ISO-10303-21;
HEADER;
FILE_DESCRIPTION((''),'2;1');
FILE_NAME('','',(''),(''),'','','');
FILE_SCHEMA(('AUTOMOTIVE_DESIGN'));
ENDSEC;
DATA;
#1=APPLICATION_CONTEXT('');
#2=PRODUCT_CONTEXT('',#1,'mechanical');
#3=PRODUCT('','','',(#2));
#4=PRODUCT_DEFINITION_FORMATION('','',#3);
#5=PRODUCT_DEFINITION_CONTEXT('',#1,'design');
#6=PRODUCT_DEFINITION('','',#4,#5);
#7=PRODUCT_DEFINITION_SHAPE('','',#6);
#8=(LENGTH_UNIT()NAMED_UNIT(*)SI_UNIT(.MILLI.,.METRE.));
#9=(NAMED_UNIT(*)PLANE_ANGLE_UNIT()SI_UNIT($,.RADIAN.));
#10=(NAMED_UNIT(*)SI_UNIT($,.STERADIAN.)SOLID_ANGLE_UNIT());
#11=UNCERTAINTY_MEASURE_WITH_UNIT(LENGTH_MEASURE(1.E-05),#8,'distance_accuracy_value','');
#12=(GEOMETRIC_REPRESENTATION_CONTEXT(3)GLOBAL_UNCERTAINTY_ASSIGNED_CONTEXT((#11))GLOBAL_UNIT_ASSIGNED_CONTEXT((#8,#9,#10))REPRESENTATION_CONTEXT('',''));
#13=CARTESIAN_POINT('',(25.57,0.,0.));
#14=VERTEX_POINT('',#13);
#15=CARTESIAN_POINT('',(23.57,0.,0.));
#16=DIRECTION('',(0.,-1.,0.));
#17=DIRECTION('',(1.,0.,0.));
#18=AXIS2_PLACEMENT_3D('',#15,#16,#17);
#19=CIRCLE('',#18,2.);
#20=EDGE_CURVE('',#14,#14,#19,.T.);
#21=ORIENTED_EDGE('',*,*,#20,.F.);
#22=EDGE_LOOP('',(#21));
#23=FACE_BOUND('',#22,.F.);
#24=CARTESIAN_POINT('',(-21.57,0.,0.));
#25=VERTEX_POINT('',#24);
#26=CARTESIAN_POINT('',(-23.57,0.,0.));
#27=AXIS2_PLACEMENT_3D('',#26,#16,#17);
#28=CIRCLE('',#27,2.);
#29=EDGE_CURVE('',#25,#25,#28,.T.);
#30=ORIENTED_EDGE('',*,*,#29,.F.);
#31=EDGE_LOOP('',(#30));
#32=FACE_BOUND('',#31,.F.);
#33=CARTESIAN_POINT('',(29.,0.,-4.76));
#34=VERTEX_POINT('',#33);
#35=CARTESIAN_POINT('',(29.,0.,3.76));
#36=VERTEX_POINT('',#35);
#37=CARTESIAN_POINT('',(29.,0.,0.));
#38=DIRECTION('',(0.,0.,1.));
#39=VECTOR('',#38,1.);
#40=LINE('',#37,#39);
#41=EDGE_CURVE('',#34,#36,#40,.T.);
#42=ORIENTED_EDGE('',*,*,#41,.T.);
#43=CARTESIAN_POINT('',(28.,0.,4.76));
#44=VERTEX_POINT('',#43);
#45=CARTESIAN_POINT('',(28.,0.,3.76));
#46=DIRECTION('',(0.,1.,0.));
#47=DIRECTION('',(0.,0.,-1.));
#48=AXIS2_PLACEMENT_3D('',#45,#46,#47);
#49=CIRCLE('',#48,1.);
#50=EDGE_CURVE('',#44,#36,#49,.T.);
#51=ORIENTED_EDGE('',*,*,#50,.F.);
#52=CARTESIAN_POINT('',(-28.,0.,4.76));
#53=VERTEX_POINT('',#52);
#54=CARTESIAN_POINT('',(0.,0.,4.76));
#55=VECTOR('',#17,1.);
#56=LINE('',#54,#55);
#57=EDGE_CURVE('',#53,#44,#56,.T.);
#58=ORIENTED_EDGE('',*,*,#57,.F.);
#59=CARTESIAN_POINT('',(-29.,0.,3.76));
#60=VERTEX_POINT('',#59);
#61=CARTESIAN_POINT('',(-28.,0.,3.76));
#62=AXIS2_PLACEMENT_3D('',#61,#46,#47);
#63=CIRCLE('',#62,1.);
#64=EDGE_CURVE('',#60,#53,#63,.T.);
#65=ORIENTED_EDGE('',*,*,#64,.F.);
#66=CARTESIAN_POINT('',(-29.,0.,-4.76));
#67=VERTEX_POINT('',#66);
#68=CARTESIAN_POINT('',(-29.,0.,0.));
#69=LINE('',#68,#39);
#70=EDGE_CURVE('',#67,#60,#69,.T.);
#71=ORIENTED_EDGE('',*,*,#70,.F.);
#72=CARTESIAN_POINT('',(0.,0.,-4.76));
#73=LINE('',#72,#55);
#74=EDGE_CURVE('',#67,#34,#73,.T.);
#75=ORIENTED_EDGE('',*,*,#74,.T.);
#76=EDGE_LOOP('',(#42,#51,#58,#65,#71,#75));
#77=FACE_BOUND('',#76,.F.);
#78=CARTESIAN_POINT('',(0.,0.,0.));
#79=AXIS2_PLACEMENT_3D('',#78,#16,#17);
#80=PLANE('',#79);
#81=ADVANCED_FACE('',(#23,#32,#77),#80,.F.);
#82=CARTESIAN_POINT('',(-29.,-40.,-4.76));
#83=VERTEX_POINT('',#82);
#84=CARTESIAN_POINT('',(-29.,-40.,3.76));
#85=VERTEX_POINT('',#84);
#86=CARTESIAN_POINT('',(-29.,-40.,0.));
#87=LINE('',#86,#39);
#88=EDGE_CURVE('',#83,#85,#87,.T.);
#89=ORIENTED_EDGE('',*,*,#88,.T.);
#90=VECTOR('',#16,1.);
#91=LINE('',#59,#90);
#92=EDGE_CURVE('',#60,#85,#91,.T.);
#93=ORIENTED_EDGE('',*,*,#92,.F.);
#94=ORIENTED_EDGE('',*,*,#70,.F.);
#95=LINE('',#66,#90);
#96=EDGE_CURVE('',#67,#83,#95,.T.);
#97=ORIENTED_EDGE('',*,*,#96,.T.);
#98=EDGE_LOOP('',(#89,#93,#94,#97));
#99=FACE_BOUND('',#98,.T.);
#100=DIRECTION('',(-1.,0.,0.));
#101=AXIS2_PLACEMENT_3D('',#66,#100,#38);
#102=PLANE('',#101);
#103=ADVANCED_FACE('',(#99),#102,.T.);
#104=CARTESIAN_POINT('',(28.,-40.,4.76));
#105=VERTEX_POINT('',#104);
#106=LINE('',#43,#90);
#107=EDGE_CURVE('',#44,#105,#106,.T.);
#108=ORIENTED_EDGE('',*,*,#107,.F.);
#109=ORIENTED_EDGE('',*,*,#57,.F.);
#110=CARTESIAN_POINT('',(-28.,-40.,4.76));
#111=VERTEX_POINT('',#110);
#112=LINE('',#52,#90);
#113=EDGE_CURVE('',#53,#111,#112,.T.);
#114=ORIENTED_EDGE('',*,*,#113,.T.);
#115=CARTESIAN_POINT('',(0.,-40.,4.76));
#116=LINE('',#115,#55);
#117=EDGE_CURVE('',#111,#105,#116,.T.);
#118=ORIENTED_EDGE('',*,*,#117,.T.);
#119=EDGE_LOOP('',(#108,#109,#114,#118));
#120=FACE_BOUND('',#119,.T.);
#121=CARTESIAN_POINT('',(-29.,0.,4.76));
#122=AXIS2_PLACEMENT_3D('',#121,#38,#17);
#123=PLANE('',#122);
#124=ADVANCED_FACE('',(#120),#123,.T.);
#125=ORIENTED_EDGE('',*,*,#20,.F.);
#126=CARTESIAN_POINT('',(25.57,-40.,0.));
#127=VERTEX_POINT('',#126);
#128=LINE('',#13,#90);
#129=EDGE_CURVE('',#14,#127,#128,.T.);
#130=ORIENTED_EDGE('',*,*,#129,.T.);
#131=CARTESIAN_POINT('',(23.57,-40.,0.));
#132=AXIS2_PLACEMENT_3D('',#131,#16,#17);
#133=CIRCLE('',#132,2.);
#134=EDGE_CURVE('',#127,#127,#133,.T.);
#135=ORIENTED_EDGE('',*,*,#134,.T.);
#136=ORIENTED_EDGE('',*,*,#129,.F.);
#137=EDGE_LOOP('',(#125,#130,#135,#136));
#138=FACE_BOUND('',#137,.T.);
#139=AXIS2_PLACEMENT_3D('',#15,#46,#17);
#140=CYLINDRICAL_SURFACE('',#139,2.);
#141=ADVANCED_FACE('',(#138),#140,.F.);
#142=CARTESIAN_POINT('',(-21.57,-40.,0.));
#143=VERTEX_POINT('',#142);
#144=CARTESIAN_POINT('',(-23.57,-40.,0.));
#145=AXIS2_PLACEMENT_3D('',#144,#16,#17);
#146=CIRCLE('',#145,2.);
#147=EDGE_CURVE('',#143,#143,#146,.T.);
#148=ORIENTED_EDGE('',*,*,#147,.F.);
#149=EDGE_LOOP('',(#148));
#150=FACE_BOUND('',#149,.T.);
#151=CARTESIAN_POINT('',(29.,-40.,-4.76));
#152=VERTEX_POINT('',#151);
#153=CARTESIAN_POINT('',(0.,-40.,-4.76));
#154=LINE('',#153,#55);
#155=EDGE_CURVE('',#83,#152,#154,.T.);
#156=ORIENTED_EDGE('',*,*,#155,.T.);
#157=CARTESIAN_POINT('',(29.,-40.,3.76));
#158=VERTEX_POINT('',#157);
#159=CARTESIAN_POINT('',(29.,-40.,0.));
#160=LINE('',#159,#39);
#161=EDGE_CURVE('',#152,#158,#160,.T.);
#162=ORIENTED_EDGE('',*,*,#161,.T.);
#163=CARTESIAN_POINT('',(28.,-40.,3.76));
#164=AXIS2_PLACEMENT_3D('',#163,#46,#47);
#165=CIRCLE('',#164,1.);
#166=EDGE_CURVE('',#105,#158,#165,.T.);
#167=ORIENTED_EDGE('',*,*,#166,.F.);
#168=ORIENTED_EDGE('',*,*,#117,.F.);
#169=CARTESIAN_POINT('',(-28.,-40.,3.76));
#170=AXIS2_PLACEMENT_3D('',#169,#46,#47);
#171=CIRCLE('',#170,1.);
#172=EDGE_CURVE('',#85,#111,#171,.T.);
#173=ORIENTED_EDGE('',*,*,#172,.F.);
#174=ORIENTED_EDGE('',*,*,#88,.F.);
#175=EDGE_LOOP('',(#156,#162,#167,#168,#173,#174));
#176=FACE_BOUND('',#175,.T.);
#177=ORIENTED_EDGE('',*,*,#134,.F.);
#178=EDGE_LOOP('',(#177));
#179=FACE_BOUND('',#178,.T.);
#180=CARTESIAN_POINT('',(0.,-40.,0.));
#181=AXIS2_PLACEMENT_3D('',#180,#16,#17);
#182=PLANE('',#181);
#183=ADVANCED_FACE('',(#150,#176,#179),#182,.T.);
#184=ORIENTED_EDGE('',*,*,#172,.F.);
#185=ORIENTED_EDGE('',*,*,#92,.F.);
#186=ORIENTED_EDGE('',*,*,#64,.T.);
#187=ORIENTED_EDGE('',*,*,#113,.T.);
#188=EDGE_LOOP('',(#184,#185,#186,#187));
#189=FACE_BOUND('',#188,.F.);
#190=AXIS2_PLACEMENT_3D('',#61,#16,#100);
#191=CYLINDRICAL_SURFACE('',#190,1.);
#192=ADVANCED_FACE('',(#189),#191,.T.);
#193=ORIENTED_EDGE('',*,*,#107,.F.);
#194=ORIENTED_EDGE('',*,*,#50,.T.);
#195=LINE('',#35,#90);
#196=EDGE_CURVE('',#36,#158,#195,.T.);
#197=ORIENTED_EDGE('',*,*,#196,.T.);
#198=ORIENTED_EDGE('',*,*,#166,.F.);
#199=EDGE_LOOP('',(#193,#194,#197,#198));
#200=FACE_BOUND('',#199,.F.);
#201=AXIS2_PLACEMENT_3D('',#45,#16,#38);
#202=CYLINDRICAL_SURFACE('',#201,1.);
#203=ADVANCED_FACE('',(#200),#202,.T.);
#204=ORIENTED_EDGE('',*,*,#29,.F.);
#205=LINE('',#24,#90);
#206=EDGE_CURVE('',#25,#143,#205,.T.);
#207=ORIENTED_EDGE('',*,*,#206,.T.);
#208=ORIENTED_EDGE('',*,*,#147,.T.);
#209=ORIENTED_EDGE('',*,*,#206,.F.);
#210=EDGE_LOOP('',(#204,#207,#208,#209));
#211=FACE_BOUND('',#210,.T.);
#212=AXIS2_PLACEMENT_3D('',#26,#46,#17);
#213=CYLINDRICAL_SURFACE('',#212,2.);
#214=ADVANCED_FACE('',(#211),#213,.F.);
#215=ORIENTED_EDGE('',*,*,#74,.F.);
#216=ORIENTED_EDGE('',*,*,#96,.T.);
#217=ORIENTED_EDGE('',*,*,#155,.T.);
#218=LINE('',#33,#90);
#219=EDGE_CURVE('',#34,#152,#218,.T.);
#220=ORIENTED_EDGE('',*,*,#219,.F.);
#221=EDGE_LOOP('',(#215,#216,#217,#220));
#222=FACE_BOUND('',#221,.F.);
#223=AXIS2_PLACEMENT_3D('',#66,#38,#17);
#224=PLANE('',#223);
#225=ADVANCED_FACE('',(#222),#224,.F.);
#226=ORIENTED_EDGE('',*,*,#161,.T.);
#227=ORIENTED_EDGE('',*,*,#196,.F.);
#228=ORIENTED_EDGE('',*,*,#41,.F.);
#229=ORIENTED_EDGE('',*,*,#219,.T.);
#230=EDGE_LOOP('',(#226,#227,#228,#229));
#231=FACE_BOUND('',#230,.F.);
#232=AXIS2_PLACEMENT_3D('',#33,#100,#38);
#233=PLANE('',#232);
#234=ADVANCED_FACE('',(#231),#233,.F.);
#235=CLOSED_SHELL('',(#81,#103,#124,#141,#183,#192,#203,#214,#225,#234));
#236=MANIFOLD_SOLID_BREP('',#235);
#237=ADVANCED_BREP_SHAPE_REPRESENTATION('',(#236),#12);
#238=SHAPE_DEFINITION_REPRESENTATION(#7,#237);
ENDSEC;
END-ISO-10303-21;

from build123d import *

# Parameters (mm, degrees)
SKETCH_W  = 58
SKETCH_H  = 9.52
SKETCH_R  = 2
PAD_DEPTH = 40
FILLET_R  = 1


with BuildPart() as part:
    # Sketch → Pad (new body)
    with BuildSketch(Plane.XZ):
        Rectangle(SKETCH_W, SKETCH_H)
        with Locations((-23.57, 0)):
            Circle(SKETCH_R, mode=Mode.SUBTRACT)
        with Locations((23.57, 0)):
            Circle(SKETCH_R, mode=Mode.SUBTRACT)
    extrude(amount=PAD_DEPTH)

    # Fillet
    fillet_edges = [part.edges().sort_by_distance(p)[0] for p in [
        (-29, -20, 4.76),
        (29, -20, 4.76),
    ]]
    fillet(fillet_edges, radius=FILLET_R)


solid = part.part
